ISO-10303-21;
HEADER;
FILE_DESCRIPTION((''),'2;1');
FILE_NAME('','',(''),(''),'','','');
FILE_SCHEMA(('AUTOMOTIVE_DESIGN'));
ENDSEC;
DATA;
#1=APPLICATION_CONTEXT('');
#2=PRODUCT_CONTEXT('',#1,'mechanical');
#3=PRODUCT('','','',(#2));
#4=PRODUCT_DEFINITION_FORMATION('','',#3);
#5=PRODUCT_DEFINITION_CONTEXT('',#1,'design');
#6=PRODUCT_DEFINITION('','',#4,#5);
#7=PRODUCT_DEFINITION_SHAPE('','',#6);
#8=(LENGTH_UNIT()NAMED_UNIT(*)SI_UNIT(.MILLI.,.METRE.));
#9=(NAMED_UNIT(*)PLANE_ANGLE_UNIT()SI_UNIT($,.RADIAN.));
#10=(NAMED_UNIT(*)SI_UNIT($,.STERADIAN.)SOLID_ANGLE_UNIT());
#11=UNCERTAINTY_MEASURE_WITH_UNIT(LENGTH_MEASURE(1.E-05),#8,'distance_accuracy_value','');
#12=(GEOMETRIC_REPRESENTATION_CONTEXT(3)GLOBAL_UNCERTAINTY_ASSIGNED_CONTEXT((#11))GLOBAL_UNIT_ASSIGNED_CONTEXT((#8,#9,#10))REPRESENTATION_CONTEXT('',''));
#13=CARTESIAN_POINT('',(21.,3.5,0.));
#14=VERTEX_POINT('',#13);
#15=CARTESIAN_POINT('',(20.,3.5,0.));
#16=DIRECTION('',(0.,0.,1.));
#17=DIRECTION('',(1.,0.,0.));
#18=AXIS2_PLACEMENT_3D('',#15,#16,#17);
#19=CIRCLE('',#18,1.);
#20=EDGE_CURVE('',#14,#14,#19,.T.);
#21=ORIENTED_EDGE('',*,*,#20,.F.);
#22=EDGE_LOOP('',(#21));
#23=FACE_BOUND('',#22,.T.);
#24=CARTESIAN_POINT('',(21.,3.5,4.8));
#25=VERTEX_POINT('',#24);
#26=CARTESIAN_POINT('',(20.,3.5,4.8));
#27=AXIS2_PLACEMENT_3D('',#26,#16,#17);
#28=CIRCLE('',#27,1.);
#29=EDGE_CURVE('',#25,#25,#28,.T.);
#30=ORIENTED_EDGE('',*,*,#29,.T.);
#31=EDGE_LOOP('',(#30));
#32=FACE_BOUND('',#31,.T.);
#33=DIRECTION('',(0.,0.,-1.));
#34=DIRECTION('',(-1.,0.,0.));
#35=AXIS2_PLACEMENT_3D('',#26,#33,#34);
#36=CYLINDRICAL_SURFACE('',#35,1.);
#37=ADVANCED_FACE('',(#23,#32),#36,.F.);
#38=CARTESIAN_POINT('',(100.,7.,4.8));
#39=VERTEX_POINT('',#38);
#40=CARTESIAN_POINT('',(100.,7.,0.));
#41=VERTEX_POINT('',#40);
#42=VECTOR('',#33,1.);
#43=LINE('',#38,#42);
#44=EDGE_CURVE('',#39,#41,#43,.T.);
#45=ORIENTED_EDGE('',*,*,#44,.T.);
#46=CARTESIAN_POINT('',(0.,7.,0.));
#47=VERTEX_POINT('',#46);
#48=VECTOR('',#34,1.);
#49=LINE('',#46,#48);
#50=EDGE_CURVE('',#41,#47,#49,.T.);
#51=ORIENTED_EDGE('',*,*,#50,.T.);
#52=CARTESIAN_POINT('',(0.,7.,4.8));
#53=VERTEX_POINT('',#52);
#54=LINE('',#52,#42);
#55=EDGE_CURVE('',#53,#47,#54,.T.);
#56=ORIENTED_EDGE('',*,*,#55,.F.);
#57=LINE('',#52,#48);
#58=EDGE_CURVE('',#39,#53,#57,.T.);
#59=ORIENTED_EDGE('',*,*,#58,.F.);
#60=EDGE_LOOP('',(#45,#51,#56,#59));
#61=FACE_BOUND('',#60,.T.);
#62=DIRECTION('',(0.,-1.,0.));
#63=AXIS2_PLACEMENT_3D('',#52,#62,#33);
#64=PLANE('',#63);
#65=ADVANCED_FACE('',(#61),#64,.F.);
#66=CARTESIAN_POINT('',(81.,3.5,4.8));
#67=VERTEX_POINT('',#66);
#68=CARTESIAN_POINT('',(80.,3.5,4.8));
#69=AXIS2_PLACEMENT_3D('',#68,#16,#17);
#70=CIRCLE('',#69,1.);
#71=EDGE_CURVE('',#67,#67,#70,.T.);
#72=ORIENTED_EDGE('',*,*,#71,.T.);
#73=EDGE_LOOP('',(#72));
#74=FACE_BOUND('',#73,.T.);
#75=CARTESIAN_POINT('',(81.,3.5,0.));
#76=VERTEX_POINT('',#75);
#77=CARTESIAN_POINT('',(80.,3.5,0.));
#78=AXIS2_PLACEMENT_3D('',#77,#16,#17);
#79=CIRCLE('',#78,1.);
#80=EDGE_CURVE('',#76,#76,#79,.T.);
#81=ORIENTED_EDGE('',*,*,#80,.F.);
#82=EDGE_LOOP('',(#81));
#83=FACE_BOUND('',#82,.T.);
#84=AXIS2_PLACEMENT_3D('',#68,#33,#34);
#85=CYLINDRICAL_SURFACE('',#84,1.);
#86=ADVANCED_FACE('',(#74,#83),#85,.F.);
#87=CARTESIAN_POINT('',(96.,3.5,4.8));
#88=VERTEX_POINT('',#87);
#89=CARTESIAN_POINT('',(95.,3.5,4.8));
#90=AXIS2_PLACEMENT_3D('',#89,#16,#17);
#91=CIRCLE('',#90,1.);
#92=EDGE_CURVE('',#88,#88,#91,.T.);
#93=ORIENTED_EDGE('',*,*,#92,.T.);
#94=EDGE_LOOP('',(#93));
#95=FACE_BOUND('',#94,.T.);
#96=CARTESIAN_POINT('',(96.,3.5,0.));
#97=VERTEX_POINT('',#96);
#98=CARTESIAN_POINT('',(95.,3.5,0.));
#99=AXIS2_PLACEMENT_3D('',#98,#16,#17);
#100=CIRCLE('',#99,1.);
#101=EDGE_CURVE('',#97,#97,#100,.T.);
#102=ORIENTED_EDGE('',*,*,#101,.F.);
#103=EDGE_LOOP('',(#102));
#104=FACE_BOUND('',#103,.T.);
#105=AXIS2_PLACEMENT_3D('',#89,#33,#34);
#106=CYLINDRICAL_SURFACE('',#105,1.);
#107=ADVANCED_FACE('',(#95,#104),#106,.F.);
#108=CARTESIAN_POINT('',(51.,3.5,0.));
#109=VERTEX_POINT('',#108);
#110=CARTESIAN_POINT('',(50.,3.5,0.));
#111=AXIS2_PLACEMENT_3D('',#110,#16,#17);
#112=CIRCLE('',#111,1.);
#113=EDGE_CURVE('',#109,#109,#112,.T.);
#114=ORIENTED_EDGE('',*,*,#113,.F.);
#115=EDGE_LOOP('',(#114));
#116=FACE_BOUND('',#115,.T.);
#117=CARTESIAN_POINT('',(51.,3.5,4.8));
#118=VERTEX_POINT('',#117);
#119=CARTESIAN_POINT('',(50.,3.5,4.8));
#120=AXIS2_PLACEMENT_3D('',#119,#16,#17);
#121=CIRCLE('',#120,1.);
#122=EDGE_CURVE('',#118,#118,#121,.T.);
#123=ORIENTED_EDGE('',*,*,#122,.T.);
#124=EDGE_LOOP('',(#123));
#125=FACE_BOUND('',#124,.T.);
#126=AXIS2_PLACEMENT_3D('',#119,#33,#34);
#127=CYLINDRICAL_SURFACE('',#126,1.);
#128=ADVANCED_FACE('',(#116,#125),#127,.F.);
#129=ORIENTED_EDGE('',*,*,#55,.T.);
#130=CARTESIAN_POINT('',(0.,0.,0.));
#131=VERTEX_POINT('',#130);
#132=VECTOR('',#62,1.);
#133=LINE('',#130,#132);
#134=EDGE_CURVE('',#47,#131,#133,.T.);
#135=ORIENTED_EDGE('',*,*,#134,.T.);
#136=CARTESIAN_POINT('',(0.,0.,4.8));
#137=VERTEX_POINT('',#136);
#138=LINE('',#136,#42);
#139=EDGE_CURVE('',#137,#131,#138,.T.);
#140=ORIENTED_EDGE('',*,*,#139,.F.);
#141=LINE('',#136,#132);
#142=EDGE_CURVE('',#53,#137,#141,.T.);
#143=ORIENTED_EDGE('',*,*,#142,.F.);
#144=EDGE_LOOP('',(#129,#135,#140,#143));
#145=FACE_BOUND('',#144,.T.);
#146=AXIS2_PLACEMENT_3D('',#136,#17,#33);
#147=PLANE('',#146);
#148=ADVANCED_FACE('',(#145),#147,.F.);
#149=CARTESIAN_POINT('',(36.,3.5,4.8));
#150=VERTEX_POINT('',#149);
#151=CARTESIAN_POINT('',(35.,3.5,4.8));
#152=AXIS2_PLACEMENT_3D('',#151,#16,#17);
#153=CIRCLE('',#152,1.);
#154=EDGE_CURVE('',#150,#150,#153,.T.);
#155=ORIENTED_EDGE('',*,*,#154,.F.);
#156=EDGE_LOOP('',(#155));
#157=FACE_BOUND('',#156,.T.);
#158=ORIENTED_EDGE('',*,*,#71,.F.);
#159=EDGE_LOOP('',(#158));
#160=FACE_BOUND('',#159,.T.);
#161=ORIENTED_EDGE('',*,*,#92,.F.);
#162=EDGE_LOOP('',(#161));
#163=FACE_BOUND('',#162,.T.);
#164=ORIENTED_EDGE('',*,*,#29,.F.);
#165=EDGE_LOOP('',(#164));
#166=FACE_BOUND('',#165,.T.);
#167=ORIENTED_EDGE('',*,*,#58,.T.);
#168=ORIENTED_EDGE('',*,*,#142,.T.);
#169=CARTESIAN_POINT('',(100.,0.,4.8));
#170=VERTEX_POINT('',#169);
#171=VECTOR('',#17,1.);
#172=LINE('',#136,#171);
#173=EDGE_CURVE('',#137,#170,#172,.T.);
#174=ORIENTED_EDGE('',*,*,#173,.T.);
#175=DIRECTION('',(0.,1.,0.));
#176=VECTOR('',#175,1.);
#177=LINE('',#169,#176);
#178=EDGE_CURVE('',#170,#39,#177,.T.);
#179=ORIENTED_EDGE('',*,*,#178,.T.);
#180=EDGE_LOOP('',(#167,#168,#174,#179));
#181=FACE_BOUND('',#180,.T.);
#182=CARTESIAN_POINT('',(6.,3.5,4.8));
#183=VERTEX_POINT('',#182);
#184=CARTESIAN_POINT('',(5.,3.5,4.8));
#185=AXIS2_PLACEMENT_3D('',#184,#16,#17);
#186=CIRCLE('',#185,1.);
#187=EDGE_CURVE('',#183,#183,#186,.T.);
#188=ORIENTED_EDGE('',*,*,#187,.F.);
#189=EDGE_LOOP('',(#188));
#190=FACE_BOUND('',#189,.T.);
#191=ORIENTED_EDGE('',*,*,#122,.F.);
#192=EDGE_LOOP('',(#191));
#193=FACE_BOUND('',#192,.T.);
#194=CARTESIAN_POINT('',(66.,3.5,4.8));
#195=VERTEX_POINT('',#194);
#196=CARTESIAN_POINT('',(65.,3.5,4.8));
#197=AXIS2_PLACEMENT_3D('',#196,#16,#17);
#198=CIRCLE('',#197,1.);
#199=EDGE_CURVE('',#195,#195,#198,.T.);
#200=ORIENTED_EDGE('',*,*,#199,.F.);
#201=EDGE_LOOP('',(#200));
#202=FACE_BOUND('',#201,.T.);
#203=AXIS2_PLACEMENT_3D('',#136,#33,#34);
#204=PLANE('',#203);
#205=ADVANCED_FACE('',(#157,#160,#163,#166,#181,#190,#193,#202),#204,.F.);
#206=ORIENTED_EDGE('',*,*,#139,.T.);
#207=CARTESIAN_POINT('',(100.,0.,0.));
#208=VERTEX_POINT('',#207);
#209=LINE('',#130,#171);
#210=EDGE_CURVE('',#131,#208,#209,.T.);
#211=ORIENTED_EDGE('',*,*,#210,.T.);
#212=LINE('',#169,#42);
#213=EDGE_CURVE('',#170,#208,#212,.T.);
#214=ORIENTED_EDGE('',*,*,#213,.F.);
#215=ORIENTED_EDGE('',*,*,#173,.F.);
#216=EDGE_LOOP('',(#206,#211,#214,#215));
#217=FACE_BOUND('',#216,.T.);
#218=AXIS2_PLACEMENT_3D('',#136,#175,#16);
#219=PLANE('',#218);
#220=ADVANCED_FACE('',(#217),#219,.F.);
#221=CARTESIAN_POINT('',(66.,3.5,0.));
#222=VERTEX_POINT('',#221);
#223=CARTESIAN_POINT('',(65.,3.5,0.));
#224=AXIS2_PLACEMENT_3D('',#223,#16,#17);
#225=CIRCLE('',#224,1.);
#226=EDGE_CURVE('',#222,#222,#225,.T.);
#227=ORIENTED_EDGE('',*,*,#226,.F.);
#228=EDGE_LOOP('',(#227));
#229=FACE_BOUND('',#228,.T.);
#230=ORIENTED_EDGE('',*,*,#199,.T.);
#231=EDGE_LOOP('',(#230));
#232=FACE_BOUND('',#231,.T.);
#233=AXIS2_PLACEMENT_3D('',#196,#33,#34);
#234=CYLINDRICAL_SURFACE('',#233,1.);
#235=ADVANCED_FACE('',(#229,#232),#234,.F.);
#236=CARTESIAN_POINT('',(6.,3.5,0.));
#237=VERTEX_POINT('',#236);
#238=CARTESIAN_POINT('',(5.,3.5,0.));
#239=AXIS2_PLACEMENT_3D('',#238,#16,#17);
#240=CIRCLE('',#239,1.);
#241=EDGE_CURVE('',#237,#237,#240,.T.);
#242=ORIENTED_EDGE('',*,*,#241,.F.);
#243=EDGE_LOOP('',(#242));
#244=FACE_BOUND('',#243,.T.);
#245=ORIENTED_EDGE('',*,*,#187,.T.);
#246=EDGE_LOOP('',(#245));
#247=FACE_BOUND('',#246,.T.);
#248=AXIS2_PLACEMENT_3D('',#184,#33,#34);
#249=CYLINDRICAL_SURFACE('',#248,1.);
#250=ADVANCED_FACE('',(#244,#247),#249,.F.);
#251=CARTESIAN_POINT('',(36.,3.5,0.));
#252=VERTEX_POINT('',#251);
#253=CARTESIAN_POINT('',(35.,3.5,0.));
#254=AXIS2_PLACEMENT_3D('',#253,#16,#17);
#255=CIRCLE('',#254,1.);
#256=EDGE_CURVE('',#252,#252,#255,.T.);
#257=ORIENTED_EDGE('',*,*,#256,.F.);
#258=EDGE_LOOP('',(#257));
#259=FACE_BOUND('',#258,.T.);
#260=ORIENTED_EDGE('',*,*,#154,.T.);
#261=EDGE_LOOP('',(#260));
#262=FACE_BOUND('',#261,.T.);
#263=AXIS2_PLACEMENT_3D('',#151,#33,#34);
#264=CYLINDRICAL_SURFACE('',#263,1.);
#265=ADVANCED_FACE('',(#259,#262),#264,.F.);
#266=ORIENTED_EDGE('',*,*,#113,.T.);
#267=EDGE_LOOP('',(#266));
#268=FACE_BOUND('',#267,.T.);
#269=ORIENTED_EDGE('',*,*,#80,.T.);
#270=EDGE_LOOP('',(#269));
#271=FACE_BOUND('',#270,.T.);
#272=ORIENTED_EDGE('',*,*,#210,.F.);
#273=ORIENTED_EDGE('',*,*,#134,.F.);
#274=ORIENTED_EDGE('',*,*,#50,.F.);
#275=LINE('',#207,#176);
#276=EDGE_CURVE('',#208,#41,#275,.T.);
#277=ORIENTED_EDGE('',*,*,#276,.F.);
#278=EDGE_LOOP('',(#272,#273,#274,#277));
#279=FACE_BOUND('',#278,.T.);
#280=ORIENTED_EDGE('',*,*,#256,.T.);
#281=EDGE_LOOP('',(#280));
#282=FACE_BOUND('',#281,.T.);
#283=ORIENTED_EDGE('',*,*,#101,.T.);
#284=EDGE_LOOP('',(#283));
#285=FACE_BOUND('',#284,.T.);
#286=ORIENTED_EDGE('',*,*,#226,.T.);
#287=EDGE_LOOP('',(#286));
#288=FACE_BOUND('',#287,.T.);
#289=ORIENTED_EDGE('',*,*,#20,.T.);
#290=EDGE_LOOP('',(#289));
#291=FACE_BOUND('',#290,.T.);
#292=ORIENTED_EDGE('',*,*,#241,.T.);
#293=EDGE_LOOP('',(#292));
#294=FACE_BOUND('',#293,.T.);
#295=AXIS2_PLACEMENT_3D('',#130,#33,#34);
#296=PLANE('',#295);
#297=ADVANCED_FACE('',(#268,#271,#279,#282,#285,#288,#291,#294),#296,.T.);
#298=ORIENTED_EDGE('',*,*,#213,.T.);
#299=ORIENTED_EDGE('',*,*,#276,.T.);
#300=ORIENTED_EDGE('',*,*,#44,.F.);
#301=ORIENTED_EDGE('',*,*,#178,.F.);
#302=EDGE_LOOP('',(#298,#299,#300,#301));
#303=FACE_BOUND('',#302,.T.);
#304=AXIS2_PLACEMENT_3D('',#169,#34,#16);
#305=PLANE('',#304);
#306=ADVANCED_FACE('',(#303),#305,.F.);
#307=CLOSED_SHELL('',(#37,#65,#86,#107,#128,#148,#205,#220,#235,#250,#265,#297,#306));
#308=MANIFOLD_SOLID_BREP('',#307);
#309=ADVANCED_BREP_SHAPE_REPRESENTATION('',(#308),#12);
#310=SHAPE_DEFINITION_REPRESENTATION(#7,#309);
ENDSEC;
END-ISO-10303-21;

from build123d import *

# Parameters (mm, degrees)
SKETCH_1_W      = 100
SKETCH_1_H      = 7
SKETCH_1_R      = 1
EXTRUDE_1_DEPTH = 4.8


with BuildPart() as part:
    # 草图1 → 凸台-拉伸1 (new body)
    with BuildSketch(Plane.XY):
        with Locations((50, 3.5)):
            Rectangle(SKETCH_1_W, SKETCH_1_H)
        with Locations((5, 3.5)):
            Circle(SKETCH_1_R, mode=Mode.SUBTRACT)
        with Locations((20, 3.5)):
            Circle(SKETCH_1_R, mode=Mode.SUBTRACT)
        with Locations((35, 3.5)):
            Circle(SKETCH_1_R, mode=Mode.SUBTRACT)
        with Locations((50, 3.5)):
            Circle(SKETCH_1_R, mode=Mode.SUBTRACT)
        with Locations((65, 3.5)):
            Circle(SKETCH_1_R, mode=Mode.SUBTRACT)
        with Locations((80, 3.5)):
            Circle(SKETCH_1_R, mode=Mode.SUBTRACT)
        with Locations((95, 3.5)):
            Circle(SKETCH_1_R, mode=Mode.SUBTRACT)
    extrude(amount=EXTRUDE_1_DEPTH)


solid = part.part
